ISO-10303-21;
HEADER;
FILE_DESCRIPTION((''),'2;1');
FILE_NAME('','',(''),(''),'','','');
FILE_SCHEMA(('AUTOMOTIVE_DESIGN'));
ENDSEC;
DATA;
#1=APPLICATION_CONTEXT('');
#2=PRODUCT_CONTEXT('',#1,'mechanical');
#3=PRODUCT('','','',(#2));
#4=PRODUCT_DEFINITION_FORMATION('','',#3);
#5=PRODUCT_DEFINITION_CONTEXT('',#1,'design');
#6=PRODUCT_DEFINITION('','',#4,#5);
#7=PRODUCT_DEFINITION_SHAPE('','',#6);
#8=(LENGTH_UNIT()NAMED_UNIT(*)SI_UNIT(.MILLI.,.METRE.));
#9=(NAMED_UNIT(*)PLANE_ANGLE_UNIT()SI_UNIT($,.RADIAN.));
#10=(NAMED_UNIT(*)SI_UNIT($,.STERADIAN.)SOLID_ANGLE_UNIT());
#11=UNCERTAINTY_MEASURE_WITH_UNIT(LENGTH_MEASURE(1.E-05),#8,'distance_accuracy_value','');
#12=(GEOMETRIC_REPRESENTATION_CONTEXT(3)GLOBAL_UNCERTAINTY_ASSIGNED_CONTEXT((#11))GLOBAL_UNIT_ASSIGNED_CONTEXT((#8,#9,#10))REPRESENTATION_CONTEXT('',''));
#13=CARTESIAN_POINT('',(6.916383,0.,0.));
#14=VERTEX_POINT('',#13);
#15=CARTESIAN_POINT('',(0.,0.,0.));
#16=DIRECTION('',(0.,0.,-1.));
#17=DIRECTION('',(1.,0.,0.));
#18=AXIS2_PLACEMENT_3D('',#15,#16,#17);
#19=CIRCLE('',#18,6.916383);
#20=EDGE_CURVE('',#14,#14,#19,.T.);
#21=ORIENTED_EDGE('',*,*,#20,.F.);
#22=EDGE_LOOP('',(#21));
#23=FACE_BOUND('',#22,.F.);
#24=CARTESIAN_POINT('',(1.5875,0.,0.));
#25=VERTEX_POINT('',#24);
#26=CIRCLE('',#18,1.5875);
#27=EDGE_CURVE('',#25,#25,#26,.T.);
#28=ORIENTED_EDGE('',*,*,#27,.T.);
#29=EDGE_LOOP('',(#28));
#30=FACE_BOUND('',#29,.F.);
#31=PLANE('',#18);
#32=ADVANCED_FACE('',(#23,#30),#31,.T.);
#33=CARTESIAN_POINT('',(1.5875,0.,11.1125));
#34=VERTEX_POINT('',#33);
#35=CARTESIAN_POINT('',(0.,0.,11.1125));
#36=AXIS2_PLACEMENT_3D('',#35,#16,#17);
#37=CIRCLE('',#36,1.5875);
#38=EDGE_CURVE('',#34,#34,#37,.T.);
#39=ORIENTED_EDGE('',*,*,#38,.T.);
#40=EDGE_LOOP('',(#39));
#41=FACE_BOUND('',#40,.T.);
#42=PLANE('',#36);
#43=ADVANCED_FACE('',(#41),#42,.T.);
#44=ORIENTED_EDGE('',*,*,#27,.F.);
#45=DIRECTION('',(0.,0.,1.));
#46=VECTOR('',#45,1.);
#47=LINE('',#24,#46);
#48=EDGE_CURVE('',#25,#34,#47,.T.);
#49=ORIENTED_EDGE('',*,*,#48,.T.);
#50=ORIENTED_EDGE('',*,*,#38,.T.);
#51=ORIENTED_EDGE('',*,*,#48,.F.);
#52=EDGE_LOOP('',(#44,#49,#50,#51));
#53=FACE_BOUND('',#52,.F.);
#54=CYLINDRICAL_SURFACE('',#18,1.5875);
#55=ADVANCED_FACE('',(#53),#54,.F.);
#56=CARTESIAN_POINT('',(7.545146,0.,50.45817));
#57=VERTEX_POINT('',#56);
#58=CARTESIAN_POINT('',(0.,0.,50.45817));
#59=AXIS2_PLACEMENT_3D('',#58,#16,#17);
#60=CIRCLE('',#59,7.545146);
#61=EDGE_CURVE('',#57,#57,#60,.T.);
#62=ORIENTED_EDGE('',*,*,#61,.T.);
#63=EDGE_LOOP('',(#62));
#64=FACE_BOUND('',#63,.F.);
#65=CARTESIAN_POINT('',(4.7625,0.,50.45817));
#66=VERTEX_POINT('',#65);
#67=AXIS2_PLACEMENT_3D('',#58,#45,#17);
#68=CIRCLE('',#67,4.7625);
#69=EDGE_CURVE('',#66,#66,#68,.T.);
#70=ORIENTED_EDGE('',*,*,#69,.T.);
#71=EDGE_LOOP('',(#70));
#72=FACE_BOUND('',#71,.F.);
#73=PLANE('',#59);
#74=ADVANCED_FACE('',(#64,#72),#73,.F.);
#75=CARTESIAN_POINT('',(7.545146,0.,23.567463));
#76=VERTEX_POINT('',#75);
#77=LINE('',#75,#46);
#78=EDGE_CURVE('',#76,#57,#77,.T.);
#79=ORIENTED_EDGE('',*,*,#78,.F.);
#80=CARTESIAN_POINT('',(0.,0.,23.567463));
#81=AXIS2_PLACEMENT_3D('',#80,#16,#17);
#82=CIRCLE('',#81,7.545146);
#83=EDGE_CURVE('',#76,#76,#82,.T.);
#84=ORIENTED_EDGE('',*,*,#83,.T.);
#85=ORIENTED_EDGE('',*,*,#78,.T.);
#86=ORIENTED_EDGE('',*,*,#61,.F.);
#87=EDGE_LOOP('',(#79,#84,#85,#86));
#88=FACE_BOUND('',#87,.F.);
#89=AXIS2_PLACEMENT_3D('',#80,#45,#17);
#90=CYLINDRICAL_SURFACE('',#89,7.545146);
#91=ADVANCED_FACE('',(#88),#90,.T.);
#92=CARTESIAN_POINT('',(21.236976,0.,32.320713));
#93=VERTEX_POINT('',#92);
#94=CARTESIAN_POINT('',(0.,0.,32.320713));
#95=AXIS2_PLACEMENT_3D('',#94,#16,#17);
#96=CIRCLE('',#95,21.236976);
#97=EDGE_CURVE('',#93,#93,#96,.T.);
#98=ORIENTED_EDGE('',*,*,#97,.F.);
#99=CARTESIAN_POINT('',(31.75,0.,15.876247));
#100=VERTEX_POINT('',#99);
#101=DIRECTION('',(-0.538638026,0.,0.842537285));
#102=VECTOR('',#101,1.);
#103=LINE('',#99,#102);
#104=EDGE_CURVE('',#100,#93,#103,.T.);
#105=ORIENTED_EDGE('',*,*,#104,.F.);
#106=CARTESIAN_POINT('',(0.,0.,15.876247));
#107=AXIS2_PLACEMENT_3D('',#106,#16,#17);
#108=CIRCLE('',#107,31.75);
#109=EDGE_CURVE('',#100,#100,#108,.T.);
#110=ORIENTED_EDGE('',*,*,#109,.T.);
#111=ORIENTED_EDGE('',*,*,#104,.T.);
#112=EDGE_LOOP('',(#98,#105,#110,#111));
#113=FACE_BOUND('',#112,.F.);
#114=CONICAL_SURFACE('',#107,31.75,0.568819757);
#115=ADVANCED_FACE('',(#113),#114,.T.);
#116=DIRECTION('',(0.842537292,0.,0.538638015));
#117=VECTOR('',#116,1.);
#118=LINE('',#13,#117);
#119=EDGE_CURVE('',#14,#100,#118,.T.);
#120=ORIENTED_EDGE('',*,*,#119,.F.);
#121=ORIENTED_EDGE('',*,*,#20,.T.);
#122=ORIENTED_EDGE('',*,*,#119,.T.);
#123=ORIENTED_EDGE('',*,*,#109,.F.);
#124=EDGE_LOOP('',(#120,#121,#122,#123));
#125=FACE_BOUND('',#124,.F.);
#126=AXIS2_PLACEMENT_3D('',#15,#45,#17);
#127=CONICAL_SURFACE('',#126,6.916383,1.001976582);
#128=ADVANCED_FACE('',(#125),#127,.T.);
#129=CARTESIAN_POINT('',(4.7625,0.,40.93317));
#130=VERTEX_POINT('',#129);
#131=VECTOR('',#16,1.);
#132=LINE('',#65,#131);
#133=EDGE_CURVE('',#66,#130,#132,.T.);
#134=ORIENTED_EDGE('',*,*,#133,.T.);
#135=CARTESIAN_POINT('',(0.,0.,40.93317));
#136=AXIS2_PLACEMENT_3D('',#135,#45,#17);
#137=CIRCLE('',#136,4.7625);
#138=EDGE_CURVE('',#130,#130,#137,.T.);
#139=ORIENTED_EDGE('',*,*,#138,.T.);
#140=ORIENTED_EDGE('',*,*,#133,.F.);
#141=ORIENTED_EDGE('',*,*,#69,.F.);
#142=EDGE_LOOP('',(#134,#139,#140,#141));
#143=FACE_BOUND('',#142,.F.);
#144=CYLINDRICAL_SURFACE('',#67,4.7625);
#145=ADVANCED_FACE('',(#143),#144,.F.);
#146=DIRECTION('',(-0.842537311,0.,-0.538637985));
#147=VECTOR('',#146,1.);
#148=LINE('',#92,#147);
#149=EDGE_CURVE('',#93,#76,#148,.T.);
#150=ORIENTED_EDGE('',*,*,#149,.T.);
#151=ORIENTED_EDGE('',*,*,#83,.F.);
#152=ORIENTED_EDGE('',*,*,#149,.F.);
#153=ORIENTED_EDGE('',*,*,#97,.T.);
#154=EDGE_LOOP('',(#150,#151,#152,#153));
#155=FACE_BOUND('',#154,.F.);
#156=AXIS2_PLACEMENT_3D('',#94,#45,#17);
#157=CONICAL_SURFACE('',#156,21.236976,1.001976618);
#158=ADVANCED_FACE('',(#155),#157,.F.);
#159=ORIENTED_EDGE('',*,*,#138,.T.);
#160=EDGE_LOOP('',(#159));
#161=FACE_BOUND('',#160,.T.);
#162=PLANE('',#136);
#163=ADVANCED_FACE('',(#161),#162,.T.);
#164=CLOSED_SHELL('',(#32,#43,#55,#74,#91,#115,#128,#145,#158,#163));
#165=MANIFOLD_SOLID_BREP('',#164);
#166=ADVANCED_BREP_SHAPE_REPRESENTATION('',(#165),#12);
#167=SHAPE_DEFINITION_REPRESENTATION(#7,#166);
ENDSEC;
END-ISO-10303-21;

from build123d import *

# Parameters (mm, degrees)
F2_R     = 1.5875
F3_DEPTH = 11.1125
F4_R     = 4.7625
F5_DEPTH = 9.525


with BuildPart() as f1:
    # F0 (on Front) → F1 (revolve)
    with BuildSketch(Plane.XZ):
        Polygon((0, 50.45817), (0, 0), (6.916383, 0), (31.75, 15.876247), (21.236976, 32.320713), (7.545146, 23.567463), (7.545146, 50.45817), align=None)
    revolve(axis=Axis((0, 0, 25.229085), (0, 0, -1)))

    # F2 (on face) → F3 (cut)
    with BuildSketch(Plane(origin=(0, 0, 0), x_dir=(1, 0, 0), z_dir=(0, 0, -1))):
        Circle(F2_R)
    extrude(amount=-F3_DEPTH, mode=Mode.SUBTRACT)

    # F4 (on face) → F5 (cut)
    with BuildSketch(Plane.XY.offset(50.45817)):
        Circle(F4_R)
    extrude(amount=-F5_DEPTH, mode=Mode.SUBTRACT)


solid = f1.part
